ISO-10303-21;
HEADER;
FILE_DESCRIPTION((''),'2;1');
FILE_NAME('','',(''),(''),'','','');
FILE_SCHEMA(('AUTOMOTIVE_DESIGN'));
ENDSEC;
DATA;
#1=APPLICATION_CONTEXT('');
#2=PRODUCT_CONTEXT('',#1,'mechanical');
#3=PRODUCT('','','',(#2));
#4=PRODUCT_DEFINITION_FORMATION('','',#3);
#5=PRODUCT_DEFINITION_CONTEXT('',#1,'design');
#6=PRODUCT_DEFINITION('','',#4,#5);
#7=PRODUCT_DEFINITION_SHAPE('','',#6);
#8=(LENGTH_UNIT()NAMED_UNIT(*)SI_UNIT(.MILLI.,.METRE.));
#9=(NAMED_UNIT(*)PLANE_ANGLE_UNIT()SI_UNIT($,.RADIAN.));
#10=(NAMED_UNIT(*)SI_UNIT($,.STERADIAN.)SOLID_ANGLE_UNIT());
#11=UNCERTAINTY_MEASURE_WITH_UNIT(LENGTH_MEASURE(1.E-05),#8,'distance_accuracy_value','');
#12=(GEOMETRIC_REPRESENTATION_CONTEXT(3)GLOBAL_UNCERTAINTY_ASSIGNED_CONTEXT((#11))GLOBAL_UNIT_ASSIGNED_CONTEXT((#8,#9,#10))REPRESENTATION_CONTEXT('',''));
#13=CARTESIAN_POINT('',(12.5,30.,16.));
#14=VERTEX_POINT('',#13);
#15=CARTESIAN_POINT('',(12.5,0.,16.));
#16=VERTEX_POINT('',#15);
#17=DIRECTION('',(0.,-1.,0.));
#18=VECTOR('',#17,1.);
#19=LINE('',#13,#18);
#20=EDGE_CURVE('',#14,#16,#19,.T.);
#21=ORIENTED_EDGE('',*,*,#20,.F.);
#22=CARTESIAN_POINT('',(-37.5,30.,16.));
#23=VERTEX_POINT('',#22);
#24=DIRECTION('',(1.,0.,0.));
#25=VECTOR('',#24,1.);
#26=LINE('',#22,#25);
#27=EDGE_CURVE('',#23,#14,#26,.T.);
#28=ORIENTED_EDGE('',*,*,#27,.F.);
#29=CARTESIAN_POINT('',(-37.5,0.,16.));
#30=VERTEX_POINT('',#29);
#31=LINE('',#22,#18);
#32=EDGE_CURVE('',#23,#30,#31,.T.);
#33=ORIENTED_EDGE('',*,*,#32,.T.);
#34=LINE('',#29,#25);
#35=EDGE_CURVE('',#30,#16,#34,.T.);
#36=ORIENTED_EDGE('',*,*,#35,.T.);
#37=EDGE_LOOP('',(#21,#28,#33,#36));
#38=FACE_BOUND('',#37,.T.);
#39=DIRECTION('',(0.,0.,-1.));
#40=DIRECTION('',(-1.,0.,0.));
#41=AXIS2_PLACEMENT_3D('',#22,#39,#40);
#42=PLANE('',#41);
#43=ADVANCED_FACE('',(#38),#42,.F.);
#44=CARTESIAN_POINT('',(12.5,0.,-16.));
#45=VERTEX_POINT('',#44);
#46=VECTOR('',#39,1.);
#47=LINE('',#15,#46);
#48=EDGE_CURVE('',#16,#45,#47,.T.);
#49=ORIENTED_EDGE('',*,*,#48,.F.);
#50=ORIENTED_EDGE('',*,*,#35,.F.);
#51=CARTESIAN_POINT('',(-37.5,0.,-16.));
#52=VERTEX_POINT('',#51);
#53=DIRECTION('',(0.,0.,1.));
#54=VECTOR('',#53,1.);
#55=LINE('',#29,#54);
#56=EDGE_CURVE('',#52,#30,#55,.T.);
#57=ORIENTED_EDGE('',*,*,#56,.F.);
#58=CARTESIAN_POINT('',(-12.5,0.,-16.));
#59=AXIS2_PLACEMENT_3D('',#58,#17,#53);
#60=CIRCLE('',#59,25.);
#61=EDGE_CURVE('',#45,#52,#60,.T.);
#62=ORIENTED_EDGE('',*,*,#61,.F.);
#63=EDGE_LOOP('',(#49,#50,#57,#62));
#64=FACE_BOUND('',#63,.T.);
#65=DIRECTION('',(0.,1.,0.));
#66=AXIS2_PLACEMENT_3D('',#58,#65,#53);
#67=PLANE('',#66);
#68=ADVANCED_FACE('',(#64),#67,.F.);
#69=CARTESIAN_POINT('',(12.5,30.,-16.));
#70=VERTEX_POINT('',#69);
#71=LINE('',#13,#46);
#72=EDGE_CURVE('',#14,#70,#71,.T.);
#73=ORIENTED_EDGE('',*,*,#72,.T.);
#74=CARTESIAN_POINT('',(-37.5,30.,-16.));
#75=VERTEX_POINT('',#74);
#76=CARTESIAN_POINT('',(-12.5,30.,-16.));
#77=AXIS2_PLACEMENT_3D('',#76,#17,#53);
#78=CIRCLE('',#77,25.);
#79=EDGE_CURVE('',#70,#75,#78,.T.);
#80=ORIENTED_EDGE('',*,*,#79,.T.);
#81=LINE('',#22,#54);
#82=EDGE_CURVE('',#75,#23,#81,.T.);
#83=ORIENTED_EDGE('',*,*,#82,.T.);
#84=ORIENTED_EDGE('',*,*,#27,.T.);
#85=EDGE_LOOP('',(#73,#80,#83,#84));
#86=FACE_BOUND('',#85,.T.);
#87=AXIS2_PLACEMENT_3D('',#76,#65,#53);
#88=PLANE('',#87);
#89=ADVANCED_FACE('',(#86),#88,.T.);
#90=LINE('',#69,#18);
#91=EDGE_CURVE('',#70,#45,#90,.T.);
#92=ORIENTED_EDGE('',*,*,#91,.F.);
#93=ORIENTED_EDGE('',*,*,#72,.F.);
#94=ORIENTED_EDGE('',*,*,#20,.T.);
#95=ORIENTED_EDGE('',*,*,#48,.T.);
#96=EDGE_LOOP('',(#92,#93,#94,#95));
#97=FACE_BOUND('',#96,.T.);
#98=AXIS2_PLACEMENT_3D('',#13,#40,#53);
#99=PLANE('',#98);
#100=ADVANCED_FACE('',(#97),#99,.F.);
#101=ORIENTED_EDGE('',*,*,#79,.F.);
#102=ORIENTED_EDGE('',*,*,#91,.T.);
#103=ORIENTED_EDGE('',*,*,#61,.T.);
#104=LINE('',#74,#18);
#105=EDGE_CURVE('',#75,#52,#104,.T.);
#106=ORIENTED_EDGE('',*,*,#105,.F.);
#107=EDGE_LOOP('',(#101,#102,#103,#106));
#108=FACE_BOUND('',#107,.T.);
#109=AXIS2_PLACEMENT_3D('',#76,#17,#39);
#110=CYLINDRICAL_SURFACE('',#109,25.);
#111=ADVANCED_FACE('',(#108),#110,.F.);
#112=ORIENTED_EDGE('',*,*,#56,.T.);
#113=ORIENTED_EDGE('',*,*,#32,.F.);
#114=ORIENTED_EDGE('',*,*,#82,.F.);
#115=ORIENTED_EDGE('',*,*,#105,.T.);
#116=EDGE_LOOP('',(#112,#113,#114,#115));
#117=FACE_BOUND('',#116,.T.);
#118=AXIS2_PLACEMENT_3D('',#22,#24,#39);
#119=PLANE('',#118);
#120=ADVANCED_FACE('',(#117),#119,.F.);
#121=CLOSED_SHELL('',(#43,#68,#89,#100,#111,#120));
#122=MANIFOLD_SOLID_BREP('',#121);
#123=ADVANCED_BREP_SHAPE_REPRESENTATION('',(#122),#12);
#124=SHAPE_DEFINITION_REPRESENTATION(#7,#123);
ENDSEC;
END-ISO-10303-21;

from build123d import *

# Parameters (mm, degrees)
BOSS_EXTRUDE1_DEPTH = 30


with BuildPart() as part:
    # Sketch1 → Boss-Extrude1 (new body)
    with BuildSketch(Plane(origin=(0, 0, 0), x_dir=(1, 0, 0), z_dir=(0, 1, 0))):
        with BuildLine():
            Line((-37.5, -16), (12.5, -16))
            Line((12.5, -16), (12.5, 16))
            ThreePointArc((12.5, 16), (-12.5, -9), (-37.5, 16))
            Line((-37.5, 16), (-37.5, -16))
        make_face()
    extrude(amount=BOSS_EXTRUDE1_DEPTH)


solid = part.part
